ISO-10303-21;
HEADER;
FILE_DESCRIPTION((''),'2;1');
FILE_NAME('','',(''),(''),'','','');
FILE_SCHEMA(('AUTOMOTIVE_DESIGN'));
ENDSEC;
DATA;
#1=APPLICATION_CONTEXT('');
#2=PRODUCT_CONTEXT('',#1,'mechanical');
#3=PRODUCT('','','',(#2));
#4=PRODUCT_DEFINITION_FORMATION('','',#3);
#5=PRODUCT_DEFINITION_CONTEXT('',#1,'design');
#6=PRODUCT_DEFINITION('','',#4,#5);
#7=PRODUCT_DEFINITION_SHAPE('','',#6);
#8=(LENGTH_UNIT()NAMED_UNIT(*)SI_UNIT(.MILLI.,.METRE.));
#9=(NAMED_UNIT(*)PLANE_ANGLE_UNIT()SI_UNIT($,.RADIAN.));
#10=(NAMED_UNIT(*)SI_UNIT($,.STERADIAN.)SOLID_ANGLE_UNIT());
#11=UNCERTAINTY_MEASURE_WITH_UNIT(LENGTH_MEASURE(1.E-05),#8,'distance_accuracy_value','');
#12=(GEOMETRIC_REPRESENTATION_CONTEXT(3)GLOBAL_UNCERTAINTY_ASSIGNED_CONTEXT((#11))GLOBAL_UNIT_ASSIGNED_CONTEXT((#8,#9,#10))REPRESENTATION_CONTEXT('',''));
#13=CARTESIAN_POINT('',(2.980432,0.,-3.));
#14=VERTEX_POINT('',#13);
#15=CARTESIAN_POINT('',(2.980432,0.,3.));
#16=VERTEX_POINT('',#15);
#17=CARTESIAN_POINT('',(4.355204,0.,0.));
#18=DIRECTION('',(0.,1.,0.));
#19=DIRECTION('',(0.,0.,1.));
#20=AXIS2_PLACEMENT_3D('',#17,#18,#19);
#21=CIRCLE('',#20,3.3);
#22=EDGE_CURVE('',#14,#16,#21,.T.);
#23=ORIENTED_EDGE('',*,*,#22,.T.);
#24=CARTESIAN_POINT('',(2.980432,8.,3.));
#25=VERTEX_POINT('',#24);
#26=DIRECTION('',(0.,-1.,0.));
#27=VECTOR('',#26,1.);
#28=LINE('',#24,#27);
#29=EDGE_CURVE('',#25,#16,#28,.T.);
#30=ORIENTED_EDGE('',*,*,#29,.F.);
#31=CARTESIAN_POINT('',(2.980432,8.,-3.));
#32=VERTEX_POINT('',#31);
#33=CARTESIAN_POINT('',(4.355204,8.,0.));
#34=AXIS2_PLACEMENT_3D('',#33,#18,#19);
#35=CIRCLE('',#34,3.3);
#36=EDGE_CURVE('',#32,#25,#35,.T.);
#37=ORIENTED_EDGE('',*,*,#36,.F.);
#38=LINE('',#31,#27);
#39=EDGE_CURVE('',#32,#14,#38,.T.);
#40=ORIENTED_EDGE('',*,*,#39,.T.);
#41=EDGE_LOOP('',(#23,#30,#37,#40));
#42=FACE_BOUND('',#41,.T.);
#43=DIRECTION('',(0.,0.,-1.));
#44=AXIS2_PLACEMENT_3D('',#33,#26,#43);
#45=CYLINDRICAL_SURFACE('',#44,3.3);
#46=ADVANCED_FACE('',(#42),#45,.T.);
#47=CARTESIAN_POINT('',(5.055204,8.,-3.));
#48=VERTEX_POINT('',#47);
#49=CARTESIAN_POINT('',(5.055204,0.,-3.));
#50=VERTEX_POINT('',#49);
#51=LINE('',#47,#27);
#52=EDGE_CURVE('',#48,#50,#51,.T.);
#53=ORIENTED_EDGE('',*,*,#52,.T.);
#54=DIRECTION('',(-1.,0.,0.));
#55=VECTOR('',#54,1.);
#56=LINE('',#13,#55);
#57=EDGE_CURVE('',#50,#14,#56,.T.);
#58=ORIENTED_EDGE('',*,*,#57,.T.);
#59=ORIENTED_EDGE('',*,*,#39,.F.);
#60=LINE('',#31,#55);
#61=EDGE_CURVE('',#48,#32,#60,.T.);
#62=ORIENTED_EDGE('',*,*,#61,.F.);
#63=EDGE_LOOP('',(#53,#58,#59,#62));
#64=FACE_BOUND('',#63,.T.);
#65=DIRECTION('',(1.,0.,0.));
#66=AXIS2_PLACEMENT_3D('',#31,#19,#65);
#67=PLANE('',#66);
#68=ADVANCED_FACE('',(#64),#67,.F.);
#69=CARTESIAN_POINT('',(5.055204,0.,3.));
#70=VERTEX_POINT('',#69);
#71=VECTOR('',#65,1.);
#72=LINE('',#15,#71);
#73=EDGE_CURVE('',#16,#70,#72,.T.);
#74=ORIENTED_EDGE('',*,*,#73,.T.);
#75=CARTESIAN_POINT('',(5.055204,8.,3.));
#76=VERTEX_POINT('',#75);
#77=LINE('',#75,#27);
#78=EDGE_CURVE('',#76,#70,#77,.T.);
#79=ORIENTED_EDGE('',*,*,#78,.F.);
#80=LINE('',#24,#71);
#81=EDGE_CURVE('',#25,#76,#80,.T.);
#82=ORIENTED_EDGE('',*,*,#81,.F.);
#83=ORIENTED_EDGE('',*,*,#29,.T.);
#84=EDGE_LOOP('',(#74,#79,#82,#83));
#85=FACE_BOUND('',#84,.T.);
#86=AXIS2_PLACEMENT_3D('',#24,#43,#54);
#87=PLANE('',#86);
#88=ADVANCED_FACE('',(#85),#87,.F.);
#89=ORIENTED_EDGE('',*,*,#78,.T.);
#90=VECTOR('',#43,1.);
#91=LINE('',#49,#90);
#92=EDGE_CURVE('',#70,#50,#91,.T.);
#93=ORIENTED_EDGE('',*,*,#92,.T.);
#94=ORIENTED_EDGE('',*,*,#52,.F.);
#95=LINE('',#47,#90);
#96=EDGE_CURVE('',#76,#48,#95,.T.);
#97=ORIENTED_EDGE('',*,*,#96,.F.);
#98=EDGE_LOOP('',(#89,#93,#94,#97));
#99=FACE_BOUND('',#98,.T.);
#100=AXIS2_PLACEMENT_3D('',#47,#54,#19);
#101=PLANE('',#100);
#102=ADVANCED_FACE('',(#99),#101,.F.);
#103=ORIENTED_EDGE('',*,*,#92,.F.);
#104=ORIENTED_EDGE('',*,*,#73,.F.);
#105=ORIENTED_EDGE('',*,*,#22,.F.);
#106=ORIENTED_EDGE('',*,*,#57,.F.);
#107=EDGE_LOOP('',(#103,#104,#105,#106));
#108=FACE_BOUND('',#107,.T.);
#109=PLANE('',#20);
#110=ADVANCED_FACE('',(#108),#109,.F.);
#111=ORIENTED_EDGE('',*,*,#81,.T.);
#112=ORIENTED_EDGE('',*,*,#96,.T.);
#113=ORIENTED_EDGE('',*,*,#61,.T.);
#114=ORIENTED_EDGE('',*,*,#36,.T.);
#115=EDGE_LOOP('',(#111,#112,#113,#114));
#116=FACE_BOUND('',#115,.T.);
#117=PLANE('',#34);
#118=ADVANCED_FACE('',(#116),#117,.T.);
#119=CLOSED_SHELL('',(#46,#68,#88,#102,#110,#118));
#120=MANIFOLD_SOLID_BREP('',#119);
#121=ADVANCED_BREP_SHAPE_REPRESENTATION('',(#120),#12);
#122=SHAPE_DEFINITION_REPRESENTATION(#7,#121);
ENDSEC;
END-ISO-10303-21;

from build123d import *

# Parameters (mm, degrees)
EXTRUDE_1_DEPTH = 8


with BuildPart() as part:
    # 草图1 → 凸台-拉伸1 (new body)
    with BuildSketch(Plane(origin=(0, 0, 0), x_dir=(1, 0, 0), z_dir=(0, 1, 0))):
        with BuildLine():
            Line((2.980431626, 3), (5.055204335, 3))
            Line((5.055204335, 3), (5.055204335, -3))
            Line((5.055204335, -3), (2.980431626, -3))
            ThreePointArc((2.980431626, -3), (1.055204335, 0), (2.980431626, 3))
        make_face()
    extrude(amount=EXTRUDE_1_DEPTH)


solid = part.part
